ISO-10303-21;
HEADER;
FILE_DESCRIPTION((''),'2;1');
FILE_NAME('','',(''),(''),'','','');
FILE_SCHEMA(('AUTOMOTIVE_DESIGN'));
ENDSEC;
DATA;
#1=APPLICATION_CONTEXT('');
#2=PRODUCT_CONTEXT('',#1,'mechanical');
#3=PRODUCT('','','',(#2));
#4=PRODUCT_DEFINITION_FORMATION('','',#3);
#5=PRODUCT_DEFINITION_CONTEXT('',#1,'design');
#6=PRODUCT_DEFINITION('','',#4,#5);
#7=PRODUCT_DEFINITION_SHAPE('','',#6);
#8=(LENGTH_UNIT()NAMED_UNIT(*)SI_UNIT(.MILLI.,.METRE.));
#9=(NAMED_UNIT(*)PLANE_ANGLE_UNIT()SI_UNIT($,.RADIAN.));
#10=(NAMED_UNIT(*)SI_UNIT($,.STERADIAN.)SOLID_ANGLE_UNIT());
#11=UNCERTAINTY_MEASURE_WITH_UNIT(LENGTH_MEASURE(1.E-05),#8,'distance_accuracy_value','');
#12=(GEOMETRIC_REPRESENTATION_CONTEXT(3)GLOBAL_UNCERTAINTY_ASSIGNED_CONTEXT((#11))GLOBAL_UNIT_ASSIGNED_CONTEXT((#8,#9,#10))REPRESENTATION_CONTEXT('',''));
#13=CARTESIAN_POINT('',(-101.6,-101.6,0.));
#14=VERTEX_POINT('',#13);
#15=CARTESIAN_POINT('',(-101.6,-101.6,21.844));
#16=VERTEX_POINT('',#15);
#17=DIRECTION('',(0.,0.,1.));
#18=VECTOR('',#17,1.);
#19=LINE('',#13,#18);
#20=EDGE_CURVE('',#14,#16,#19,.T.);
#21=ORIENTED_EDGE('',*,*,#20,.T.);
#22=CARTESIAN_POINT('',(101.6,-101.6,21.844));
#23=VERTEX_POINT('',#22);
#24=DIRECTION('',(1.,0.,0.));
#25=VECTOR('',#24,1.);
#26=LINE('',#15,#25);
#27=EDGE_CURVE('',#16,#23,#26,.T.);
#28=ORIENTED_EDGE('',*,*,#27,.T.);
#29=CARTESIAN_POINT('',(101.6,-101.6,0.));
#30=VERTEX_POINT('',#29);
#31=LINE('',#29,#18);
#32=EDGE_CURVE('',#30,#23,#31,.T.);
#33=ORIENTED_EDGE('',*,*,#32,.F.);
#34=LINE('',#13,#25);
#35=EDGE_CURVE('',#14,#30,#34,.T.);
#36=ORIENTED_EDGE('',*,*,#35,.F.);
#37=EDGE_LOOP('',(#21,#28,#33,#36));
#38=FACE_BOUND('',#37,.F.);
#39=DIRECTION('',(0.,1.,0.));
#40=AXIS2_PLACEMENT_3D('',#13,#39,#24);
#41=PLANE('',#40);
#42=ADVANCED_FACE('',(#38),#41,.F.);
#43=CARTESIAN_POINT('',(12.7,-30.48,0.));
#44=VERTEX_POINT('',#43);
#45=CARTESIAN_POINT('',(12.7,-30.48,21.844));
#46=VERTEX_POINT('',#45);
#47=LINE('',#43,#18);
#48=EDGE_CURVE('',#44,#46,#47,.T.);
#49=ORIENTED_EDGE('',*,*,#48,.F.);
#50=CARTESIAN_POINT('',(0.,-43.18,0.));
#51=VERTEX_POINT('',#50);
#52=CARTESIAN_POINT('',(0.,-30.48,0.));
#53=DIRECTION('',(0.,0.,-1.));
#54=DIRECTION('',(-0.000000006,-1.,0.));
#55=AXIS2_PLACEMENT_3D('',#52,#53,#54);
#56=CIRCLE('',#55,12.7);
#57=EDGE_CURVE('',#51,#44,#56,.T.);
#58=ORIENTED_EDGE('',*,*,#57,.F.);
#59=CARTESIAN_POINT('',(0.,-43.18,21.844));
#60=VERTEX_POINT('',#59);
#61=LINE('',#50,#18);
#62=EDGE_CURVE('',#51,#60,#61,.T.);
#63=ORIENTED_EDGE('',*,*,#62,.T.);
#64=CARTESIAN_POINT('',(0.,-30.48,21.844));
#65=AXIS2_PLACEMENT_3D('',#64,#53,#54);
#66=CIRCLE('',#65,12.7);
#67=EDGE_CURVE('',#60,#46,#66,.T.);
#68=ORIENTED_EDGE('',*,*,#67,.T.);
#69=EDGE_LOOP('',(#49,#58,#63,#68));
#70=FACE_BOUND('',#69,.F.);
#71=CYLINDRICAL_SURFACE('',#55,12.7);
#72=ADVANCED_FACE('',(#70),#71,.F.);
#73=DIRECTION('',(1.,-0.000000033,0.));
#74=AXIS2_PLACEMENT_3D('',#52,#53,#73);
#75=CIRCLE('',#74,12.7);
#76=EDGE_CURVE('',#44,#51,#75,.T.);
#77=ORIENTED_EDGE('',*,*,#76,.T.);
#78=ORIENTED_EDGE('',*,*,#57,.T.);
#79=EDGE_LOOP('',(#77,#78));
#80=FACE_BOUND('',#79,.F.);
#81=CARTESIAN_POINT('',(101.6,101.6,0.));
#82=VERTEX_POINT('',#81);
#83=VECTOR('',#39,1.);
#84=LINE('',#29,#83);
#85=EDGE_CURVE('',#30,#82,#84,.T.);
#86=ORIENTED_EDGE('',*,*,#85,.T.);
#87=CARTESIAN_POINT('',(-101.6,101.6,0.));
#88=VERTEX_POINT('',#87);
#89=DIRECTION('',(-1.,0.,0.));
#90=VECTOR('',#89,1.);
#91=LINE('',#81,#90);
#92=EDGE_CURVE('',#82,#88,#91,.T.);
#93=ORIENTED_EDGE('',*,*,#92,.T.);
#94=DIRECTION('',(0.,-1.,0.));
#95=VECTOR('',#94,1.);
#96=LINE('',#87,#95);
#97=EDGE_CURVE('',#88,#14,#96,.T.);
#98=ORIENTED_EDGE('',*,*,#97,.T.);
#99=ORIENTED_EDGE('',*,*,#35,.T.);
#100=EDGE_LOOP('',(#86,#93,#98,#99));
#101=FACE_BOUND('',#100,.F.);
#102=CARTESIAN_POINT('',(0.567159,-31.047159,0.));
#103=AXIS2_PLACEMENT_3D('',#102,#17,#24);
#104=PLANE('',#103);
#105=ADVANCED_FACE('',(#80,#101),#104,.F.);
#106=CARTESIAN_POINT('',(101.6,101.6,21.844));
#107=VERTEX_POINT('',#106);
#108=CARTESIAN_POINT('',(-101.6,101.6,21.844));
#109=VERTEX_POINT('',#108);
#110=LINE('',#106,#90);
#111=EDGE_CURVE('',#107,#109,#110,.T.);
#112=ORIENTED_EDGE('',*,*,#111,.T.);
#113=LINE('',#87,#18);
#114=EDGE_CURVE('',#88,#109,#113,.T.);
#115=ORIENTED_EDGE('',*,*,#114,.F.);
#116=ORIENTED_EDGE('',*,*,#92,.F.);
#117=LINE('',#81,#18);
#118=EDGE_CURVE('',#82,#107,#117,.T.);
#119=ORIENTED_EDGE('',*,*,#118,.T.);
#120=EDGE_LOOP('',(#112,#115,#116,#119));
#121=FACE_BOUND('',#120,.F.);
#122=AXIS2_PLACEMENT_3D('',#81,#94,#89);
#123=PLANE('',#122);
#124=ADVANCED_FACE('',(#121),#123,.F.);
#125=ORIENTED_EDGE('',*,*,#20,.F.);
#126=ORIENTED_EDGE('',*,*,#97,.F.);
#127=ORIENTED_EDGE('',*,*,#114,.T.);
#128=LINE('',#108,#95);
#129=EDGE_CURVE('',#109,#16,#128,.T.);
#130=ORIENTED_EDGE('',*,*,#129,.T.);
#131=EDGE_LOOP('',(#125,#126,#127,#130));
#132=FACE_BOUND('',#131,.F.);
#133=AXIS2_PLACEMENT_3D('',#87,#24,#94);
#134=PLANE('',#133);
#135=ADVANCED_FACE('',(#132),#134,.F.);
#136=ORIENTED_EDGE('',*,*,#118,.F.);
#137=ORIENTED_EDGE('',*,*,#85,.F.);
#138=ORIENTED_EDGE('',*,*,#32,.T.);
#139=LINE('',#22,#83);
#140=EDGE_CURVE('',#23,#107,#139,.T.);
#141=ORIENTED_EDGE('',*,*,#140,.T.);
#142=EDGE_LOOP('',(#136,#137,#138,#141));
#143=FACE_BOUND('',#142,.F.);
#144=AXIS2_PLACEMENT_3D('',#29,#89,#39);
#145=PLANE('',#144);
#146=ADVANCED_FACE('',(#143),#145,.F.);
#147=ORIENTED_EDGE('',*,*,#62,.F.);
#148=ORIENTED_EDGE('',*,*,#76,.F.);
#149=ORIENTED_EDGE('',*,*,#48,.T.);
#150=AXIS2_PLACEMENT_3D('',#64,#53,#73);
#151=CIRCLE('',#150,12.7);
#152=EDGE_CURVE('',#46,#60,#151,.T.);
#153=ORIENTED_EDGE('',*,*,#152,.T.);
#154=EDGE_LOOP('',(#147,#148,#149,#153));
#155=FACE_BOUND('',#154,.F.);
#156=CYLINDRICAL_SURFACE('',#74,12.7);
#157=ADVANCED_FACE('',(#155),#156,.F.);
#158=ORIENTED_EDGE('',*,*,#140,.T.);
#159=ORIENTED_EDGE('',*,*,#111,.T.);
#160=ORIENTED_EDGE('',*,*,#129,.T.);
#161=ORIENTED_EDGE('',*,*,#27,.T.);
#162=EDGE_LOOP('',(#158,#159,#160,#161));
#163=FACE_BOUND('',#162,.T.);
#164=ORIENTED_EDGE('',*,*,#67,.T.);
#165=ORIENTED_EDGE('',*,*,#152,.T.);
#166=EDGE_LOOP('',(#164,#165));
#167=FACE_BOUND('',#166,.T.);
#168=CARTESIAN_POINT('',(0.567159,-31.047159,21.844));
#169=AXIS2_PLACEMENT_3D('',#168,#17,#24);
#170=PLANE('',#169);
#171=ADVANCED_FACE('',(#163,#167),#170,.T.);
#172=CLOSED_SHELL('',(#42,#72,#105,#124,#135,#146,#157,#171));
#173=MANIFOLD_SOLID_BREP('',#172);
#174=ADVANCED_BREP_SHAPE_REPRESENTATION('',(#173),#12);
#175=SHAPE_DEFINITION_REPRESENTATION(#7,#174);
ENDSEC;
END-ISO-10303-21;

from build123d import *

# Parameters (mm, degrees)
F1_DEPTH = 21.844


with BuildPart() as f1:
    # F0 (on Top) → F1 (new body)
    with BuildSketch(Plane.XY):
        with BuildLine():
            ThreePointArc((12.7, -30.48), (-8.980256, -21.499744), (0, -43.18))
            ThreePointArc((0, -43.18), (8.980256, -39.460256), (12.7, -30.48))
        make_face()
        Polygon((0, -101.6), (101.6, -101.6), (101.6, 101.6), (-101.6, 101.6), (-101.6, -101.6), align=None)
        with BuildLine():
            ThreePointArc((12.7, -30.48), (8.980256, -39.460256), (0, -43.18))
            ThreePointArc((0, -43.18), (-8.980256, -21.499744), (12.7, -30.48))
        make_face(mode=Mode.SUBTRACT)
    extrude(amount=F1_DEPTH)


solid = f1.part
